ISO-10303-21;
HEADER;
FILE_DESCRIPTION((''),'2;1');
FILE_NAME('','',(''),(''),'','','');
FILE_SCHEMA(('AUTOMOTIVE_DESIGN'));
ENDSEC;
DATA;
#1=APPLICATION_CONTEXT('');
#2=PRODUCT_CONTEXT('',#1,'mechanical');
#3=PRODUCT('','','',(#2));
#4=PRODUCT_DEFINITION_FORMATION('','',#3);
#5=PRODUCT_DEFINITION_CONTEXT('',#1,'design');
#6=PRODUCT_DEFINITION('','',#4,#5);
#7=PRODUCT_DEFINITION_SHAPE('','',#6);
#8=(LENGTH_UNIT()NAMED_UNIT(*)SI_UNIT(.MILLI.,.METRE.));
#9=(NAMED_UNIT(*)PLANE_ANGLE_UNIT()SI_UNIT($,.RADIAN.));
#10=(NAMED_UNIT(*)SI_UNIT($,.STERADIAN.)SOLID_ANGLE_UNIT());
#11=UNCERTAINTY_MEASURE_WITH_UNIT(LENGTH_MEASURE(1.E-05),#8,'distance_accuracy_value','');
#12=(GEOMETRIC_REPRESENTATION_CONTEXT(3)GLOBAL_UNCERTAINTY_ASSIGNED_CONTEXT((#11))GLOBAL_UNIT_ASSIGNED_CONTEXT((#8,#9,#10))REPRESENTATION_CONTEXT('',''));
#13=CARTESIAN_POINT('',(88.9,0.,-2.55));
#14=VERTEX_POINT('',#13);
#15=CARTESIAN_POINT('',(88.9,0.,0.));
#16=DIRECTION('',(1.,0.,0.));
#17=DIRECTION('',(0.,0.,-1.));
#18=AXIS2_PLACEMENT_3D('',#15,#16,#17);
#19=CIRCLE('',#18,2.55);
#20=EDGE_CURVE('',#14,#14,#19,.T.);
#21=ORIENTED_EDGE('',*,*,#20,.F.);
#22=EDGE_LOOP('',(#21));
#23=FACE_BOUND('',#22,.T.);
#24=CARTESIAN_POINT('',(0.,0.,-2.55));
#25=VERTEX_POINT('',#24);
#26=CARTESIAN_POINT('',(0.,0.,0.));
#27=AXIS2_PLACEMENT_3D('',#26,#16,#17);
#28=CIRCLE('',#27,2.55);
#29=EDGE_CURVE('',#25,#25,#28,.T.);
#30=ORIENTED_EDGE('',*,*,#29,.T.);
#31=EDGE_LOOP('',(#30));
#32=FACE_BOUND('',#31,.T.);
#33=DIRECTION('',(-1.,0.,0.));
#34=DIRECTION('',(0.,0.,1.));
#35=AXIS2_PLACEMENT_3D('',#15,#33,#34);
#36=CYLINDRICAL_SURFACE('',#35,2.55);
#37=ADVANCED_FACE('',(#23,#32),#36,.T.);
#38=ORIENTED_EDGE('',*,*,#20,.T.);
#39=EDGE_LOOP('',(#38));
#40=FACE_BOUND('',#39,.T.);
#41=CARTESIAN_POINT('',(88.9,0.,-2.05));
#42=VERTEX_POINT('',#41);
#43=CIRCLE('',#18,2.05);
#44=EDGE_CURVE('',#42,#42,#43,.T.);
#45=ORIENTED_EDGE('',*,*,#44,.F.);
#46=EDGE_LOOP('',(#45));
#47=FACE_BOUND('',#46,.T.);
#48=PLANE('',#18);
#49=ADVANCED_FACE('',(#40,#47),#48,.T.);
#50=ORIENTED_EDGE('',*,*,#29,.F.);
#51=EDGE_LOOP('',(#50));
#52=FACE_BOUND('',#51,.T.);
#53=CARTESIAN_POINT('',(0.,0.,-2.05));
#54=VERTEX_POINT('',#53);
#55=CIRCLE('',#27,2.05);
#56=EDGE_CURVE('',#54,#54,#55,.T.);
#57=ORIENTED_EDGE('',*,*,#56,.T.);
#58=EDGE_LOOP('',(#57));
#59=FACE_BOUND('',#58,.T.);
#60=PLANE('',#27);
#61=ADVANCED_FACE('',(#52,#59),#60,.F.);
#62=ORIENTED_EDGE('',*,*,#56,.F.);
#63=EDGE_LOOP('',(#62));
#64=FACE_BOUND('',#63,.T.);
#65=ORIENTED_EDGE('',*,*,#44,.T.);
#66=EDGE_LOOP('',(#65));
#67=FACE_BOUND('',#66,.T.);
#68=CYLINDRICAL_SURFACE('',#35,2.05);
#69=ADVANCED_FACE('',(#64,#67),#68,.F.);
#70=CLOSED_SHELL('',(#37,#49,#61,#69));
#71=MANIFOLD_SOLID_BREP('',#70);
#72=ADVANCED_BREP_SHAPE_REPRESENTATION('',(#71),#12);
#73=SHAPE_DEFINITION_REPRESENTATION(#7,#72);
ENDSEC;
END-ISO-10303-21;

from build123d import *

# Parameters (mm, degrees)
SKIZZE1_R                       = 2.55
SKIZZE1_R_2                     = 2.05
AUFSATZ_LINEAR_AUSTRAGEN1_DEPTH = 88.9


with BuildPart() as part:
    # Skizze1 → Aufsatz-Linear austragen1 (new body)
    with BuildSketch(Plane(origin=(0, 0, 0), x_dir=(0, 0, -1), z_dir=(1, 0, 0))):
        Circle(SKIZZE1_R)
        Circle(SKIZZE1_R_2, mode=Mode.SUBTRACT)
    extrude(amount=AUFSATZ_LINEAR_AUSTRAGEN1_DEPTH)


solid = part.part
